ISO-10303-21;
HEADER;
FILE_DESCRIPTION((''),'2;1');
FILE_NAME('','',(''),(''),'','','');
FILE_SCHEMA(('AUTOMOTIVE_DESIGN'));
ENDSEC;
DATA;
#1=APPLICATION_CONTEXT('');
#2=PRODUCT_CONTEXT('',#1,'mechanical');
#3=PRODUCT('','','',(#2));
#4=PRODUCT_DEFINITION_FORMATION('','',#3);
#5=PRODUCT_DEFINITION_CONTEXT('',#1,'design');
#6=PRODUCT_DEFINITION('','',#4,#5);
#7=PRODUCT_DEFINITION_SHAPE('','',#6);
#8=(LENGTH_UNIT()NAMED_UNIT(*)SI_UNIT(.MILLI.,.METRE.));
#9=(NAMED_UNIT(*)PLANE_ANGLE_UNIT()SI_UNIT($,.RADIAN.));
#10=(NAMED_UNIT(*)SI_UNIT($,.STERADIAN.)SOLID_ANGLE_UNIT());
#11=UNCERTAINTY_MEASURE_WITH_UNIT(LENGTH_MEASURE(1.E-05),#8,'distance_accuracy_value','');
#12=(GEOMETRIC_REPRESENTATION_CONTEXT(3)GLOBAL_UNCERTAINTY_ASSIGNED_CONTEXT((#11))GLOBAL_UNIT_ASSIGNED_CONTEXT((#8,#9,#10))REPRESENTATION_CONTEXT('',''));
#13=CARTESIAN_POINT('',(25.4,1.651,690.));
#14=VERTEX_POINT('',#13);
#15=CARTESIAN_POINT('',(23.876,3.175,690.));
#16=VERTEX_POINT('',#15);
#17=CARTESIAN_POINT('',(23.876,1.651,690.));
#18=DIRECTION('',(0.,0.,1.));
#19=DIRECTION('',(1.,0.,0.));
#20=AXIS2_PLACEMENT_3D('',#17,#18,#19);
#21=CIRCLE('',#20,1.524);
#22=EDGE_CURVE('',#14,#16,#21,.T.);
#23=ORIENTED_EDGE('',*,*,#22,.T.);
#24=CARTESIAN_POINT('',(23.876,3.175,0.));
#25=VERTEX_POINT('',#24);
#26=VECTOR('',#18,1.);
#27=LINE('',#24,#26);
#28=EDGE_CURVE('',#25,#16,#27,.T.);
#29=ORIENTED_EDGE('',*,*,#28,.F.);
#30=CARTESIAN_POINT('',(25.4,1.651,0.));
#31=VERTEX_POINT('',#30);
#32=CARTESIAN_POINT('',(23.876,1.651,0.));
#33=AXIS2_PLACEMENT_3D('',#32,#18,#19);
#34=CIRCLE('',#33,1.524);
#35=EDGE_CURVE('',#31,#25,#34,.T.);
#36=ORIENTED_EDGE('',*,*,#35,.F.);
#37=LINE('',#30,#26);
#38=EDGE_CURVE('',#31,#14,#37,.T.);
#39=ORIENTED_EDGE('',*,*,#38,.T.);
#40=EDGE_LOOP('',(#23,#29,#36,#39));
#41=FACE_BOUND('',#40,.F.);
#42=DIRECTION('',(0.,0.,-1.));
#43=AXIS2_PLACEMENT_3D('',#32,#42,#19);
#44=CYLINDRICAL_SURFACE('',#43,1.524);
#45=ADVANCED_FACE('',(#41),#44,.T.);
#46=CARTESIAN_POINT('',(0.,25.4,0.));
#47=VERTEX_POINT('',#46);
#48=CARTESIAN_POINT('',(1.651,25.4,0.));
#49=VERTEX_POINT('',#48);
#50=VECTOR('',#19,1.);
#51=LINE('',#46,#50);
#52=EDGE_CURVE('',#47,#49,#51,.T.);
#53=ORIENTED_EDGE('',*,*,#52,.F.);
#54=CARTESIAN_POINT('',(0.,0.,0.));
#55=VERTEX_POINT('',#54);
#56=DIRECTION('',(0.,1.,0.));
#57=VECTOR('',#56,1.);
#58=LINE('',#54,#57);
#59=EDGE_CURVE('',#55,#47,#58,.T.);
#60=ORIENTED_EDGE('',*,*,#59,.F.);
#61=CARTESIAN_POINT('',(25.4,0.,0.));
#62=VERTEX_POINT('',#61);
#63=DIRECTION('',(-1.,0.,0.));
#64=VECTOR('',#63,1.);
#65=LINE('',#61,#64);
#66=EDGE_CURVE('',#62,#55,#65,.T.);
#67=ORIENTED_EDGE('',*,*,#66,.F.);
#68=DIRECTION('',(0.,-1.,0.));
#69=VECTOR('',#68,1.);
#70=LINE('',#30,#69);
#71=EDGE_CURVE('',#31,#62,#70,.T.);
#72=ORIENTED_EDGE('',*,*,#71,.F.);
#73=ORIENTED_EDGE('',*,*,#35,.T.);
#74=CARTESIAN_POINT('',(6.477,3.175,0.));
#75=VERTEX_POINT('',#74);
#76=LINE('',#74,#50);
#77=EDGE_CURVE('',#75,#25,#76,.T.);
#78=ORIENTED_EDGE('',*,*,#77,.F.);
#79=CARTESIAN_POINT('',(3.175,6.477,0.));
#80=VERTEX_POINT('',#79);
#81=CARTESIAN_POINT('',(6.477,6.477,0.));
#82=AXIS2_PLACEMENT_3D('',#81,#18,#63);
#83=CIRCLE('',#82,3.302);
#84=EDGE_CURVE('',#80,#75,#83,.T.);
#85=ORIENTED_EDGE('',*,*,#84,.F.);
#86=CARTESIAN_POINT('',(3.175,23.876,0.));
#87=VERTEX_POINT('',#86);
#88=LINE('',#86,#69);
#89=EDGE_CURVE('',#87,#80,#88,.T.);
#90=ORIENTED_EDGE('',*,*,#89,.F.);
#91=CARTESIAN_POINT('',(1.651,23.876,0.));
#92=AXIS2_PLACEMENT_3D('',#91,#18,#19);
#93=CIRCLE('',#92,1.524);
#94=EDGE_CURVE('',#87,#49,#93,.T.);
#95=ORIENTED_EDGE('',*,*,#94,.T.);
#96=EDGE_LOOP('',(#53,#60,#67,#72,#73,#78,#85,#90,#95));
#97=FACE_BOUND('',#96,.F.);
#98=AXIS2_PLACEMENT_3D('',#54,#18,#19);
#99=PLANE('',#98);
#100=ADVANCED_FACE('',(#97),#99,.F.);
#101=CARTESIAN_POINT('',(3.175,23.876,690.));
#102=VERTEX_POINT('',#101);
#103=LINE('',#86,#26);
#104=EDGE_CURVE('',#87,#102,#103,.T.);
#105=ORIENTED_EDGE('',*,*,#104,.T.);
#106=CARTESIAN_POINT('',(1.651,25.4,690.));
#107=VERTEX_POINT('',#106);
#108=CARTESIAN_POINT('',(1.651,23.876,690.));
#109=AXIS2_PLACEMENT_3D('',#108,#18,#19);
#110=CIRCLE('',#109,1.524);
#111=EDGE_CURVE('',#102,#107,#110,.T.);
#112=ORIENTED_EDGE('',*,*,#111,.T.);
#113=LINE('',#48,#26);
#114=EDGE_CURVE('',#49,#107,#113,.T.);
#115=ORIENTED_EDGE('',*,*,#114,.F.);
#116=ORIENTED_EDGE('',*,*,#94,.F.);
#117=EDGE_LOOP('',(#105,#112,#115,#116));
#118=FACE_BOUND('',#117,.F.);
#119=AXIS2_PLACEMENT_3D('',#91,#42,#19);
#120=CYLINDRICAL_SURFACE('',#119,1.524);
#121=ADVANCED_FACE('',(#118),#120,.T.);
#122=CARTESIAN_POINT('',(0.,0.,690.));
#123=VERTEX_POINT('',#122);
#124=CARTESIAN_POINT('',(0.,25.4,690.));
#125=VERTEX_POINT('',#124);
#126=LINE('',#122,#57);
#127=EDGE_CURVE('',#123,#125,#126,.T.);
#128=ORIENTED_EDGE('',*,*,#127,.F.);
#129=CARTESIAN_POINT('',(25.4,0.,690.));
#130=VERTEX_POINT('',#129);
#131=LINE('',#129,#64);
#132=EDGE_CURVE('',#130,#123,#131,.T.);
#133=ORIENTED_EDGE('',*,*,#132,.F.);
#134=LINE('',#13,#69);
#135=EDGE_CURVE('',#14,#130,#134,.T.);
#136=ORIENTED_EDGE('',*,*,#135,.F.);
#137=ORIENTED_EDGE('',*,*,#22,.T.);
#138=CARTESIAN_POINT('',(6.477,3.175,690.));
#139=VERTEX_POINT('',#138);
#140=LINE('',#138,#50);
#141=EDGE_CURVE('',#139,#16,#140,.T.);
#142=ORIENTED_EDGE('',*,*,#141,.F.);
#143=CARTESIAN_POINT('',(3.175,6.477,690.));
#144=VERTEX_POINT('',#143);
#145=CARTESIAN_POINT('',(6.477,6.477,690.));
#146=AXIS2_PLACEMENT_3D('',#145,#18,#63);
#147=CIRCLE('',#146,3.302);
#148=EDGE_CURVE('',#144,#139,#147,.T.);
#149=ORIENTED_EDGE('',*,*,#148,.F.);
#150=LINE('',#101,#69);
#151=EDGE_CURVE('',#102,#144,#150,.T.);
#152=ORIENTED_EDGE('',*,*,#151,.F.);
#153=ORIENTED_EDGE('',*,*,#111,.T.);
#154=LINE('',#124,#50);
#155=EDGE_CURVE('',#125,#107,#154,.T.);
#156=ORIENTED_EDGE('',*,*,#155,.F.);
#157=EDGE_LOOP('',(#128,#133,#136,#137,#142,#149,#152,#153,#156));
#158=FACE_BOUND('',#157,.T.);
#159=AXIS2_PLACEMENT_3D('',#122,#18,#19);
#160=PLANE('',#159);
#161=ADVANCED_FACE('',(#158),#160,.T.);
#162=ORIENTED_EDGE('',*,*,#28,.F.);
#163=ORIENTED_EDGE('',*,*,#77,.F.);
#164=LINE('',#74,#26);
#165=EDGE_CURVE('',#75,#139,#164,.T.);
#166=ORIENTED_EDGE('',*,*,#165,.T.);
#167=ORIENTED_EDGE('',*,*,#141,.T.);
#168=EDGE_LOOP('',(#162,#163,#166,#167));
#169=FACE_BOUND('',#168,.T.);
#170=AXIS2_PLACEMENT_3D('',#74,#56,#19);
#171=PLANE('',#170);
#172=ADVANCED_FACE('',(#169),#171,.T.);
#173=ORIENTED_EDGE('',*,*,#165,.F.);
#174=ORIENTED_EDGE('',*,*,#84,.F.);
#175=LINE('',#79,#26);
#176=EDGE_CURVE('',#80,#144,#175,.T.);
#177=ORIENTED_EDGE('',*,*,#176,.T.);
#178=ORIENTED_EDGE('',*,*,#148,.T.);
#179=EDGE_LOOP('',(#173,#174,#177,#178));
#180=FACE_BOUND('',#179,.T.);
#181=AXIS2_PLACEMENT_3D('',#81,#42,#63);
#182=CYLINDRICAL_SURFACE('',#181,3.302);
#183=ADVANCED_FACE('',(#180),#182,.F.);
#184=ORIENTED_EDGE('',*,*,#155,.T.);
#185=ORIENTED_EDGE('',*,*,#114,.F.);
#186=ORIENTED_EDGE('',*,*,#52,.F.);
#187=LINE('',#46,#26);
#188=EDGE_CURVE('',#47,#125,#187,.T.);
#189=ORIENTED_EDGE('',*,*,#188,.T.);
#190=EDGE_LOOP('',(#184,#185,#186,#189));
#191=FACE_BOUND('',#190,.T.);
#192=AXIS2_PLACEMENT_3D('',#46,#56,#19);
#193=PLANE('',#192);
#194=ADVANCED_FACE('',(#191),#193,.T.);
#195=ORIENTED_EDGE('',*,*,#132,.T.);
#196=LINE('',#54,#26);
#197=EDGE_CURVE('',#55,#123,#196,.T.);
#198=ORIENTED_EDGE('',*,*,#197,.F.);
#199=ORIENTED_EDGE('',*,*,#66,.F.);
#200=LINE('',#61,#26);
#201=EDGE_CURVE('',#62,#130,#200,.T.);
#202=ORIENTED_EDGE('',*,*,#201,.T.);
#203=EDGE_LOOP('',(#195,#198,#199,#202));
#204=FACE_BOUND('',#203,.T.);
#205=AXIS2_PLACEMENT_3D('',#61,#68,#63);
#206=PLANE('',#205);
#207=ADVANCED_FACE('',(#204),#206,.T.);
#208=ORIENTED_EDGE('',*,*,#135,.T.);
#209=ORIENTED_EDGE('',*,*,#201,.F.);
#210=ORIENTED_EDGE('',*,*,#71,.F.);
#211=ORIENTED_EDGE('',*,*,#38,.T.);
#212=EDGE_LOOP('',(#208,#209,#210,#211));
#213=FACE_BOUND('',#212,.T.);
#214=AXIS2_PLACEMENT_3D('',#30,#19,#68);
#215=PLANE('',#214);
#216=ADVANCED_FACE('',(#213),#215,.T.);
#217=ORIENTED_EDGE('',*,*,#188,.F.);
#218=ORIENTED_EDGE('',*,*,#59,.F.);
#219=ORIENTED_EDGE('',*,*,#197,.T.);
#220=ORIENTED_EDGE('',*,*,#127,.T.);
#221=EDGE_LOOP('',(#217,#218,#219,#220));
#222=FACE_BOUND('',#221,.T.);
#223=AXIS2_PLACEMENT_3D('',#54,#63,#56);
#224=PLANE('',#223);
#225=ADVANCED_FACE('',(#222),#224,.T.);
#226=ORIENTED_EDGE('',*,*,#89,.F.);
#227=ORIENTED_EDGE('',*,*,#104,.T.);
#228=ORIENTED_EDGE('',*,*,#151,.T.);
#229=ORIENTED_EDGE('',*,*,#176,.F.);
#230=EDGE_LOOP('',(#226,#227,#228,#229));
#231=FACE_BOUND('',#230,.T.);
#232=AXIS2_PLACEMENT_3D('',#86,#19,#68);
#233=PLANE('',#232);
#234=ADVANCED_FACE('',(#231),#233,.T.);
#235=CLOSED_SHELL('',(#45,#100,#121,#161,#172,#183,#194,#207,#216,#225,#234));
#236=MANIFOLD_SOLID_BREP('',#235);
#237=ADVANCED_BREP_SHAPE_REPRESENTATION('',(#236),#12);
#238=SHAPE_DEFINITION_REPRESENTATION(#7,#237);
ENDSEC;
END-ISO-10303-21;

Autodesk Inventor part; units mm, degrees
ref_plane "YZ Plane" through (0, 0, 0) normal (1, 0, 0) x (0, 1, 0)
ref_plane "Start Plane" through (0, 0, 0) normal (0, 0, 1) x (1, 0, 0)
ref_plane "End Plane" through (0, 0, 690) normal (0, 0, 1) x (1, 0, 0)
sketch "Sketch" plane through (0, 0, 0) normal (0, 0, 1) x (1, 0, 0)
  line L0 (25.4, 0) -> (0, 0)
  line L1 (0, 0) -> (0, 25.4)
  line L2 (0, 25.4) -> (1.651, 25.4)
  line L3 (3.175, 23.876) -> (3.175, 6.477)
  line L4 (6.477, 3.175) -> (23.876, 3.175)
  line L5 (25.4, 1.651) -> (25.4, 0)
  line L6 (0, -11.0414) -> (0, 31.5385) construction
  line L7 (-11.0414, 0) -> (31.5385, 0) construction
  arc A0 (3.175, 6.477) -> (6.477, 3.175) centre (6.477, 6.477) ccw
  arc A1 (3.175, 23.876) -> (1.651, 25.4) centre (1.651, 23.876) ccw
  arc A2 (25.4, 1.651) -> (23.876, 3.175) centre (23.876, 1.651) ccw
  line L8 (0, 40.0545) -> (0, -19.5574) construction
  line L9 (-19.5574, 0) -> (40.0545, 0) construction
  point P0 (3.175, 25.4)
  point P1 (3.175, 3.175)
  point P2 (25.4, 3.175)
  dimension "d0" = 25.4
  dimension "d1" = 25.4
  dimension "d2" = 3.175
  dimension "d3" = 3.175
  dimension "d10" = 0
  dimension "d11" = 0
  dimension "d14" = 3.302
  dimension "d15" = 1.524
extrude "Body" add sketch "Sketch" along normal up to surface (690 mm away) from surface at 0
sketch "Sketch3" plane through (0, 0, 0) normal (0, 0, 1) x (1, 0, 0)
  line L0 (0, 0) -> (10, 0)
ref_plane "Work Plane3" through (0, 0, 0) normal (0, -1, 0) x (1, 0, 0)
sketch "Sketch4" plane through (0, 0, 0) normal (0, -1, 0) x (1, 0, 0)
  line L0 (-2, 0) -> (12, 0) projected
  line L1 (-2, 690) -> (12, 690) projected
  dimension "d17" = 690
equation "\"d0\" = G_H"
equation "\"d1\" = G_H"
equation "\"d2\" = G_T"
equation "\"d3\" = G_T"
equation "\"d14\" = G_IR"
equation "\"d15\" = G_ER"
equation "\"d4\" = G_L"
equation "\"G_H\" = 25.4"
equation "\"G_T\" = 3.175"
equation "\"G_ER\" = 1.524"
equation "\"G_IR\" = 3.302"
equation "\"G_L\" = d17"
equation "\"ex\" = 0"
equation "\"G_OFFSET_START\" = 0"
equation "\"G_OFFSET_END\" = 0"
equation "\"d13\" = G_OFFSET_END + B_L"
equation "\"B_L\" = 690"
properties part number "AISC - L 1 x 1 x 1/8 - 27.165" material "Steel, Mild"
